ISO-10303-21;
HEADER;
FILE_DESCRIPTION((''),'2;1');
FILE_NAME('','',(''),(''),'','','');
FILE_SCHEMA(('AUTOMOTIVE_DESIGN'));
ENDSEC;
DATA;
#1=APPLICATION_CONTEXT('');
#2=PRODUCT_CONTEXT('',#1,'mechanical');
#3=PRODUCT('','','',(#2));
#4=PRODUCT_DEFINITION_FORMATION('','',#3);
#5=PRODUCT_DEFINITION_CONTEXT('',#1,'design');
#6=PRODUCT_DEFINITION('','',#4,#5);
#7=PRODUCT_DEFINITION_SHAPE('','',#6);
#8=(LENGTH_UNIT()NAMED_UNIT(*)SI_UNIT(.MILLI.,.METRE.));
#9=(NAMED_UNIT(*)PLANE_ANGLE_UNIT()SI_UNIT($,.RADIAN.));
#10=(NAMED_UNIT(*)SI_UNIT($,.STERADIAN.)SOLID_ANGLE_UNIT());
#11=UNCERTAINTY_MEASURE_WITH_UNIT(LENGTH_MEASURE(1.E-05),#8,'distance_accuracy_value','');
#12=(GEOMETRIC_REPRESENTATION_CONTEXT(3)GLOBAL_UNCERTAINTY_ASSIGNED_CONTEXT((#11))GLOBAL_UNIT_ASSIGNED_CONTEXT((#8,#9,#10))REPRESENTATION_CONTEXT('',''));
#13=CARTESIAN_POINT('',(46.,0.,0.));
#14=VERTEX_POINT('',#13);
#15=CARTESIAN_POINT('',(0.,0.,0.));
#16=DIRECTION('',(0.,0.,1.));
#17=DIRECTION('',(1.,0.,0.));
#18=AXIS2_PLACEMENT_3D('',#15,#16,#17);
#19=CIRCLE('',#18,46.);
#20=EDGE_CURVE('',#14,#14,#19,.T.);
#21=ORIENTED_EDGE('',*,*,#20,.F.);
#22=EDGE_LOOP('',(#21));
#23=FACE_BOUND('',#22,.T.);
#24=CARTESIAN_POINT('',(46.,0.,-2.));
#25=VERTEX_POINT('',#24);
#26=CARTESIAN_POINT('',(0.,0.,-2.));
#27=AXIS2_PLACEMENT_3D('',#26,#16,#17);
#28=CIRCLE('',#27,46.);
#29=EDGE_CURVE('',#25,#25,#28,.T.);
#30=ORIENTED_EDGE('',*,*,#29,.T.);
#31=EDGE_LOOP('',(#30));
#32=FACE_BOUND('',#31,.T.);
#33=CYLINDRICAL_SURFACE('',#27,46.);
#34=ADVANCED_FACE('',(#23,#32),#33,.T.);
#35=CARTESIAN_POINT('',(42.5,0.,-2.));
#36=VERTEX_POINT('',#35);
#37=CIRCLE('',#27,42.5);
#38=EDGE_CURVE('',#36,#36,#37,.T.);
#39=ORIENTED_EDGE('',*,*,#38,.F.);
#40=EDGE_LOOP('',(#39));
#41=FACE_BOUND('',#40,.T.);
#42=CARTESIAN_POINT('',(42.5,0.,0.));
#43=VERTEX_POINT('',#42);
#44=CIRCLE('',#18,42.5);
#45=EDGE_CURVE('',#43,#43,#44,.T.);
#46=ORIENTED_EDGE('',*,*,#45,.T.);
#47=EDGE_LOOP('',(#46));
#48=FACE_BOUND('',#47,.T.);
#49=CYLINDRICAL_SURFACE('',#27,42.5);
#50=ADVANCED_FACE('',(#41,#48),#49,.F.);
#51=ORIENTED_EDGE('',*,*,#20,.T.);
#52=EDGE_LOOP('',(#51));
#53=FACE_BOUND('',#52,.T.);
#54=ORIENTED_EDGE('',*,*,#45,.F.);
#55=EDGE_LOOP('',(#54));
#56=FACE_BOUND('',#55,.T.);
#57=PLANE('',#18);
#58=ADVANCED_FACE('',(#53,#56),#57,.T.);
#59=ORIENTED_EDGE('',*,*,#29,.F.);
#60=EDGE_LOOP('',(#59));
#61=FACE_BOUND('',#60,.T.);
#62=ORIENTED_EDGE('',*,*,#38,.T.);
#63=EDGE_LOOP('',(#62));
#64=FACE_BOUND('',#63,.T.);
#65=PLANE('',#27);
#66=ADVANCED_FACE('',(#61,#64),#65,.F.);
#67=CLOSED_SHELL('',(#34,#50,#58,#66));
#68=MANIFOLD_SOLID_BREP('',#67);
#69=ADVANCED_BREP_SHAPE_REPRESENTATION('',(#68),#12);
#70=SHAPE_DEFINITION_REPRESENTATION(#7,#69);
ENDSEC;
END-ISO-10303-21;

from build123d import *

# Parameters (mm, degrees)
SKETCH1_R           = 46
SKETCH1_R_2         = 42.5
BOSS_EXTRUDE1_DEPTH = 2


with BuildPart() as part:
    # Sketch1 → Boss-Extrude1 (new body)
    with BuildSketch(Plane.XY):
        Circle(SKETCH1_R)
        Circle(SKETCH1_R_2, mode=Mode.SUBTRACT)
    extrude(amount=-BOSS_EXTRUDE1_DEPTH)


solid = part.part
